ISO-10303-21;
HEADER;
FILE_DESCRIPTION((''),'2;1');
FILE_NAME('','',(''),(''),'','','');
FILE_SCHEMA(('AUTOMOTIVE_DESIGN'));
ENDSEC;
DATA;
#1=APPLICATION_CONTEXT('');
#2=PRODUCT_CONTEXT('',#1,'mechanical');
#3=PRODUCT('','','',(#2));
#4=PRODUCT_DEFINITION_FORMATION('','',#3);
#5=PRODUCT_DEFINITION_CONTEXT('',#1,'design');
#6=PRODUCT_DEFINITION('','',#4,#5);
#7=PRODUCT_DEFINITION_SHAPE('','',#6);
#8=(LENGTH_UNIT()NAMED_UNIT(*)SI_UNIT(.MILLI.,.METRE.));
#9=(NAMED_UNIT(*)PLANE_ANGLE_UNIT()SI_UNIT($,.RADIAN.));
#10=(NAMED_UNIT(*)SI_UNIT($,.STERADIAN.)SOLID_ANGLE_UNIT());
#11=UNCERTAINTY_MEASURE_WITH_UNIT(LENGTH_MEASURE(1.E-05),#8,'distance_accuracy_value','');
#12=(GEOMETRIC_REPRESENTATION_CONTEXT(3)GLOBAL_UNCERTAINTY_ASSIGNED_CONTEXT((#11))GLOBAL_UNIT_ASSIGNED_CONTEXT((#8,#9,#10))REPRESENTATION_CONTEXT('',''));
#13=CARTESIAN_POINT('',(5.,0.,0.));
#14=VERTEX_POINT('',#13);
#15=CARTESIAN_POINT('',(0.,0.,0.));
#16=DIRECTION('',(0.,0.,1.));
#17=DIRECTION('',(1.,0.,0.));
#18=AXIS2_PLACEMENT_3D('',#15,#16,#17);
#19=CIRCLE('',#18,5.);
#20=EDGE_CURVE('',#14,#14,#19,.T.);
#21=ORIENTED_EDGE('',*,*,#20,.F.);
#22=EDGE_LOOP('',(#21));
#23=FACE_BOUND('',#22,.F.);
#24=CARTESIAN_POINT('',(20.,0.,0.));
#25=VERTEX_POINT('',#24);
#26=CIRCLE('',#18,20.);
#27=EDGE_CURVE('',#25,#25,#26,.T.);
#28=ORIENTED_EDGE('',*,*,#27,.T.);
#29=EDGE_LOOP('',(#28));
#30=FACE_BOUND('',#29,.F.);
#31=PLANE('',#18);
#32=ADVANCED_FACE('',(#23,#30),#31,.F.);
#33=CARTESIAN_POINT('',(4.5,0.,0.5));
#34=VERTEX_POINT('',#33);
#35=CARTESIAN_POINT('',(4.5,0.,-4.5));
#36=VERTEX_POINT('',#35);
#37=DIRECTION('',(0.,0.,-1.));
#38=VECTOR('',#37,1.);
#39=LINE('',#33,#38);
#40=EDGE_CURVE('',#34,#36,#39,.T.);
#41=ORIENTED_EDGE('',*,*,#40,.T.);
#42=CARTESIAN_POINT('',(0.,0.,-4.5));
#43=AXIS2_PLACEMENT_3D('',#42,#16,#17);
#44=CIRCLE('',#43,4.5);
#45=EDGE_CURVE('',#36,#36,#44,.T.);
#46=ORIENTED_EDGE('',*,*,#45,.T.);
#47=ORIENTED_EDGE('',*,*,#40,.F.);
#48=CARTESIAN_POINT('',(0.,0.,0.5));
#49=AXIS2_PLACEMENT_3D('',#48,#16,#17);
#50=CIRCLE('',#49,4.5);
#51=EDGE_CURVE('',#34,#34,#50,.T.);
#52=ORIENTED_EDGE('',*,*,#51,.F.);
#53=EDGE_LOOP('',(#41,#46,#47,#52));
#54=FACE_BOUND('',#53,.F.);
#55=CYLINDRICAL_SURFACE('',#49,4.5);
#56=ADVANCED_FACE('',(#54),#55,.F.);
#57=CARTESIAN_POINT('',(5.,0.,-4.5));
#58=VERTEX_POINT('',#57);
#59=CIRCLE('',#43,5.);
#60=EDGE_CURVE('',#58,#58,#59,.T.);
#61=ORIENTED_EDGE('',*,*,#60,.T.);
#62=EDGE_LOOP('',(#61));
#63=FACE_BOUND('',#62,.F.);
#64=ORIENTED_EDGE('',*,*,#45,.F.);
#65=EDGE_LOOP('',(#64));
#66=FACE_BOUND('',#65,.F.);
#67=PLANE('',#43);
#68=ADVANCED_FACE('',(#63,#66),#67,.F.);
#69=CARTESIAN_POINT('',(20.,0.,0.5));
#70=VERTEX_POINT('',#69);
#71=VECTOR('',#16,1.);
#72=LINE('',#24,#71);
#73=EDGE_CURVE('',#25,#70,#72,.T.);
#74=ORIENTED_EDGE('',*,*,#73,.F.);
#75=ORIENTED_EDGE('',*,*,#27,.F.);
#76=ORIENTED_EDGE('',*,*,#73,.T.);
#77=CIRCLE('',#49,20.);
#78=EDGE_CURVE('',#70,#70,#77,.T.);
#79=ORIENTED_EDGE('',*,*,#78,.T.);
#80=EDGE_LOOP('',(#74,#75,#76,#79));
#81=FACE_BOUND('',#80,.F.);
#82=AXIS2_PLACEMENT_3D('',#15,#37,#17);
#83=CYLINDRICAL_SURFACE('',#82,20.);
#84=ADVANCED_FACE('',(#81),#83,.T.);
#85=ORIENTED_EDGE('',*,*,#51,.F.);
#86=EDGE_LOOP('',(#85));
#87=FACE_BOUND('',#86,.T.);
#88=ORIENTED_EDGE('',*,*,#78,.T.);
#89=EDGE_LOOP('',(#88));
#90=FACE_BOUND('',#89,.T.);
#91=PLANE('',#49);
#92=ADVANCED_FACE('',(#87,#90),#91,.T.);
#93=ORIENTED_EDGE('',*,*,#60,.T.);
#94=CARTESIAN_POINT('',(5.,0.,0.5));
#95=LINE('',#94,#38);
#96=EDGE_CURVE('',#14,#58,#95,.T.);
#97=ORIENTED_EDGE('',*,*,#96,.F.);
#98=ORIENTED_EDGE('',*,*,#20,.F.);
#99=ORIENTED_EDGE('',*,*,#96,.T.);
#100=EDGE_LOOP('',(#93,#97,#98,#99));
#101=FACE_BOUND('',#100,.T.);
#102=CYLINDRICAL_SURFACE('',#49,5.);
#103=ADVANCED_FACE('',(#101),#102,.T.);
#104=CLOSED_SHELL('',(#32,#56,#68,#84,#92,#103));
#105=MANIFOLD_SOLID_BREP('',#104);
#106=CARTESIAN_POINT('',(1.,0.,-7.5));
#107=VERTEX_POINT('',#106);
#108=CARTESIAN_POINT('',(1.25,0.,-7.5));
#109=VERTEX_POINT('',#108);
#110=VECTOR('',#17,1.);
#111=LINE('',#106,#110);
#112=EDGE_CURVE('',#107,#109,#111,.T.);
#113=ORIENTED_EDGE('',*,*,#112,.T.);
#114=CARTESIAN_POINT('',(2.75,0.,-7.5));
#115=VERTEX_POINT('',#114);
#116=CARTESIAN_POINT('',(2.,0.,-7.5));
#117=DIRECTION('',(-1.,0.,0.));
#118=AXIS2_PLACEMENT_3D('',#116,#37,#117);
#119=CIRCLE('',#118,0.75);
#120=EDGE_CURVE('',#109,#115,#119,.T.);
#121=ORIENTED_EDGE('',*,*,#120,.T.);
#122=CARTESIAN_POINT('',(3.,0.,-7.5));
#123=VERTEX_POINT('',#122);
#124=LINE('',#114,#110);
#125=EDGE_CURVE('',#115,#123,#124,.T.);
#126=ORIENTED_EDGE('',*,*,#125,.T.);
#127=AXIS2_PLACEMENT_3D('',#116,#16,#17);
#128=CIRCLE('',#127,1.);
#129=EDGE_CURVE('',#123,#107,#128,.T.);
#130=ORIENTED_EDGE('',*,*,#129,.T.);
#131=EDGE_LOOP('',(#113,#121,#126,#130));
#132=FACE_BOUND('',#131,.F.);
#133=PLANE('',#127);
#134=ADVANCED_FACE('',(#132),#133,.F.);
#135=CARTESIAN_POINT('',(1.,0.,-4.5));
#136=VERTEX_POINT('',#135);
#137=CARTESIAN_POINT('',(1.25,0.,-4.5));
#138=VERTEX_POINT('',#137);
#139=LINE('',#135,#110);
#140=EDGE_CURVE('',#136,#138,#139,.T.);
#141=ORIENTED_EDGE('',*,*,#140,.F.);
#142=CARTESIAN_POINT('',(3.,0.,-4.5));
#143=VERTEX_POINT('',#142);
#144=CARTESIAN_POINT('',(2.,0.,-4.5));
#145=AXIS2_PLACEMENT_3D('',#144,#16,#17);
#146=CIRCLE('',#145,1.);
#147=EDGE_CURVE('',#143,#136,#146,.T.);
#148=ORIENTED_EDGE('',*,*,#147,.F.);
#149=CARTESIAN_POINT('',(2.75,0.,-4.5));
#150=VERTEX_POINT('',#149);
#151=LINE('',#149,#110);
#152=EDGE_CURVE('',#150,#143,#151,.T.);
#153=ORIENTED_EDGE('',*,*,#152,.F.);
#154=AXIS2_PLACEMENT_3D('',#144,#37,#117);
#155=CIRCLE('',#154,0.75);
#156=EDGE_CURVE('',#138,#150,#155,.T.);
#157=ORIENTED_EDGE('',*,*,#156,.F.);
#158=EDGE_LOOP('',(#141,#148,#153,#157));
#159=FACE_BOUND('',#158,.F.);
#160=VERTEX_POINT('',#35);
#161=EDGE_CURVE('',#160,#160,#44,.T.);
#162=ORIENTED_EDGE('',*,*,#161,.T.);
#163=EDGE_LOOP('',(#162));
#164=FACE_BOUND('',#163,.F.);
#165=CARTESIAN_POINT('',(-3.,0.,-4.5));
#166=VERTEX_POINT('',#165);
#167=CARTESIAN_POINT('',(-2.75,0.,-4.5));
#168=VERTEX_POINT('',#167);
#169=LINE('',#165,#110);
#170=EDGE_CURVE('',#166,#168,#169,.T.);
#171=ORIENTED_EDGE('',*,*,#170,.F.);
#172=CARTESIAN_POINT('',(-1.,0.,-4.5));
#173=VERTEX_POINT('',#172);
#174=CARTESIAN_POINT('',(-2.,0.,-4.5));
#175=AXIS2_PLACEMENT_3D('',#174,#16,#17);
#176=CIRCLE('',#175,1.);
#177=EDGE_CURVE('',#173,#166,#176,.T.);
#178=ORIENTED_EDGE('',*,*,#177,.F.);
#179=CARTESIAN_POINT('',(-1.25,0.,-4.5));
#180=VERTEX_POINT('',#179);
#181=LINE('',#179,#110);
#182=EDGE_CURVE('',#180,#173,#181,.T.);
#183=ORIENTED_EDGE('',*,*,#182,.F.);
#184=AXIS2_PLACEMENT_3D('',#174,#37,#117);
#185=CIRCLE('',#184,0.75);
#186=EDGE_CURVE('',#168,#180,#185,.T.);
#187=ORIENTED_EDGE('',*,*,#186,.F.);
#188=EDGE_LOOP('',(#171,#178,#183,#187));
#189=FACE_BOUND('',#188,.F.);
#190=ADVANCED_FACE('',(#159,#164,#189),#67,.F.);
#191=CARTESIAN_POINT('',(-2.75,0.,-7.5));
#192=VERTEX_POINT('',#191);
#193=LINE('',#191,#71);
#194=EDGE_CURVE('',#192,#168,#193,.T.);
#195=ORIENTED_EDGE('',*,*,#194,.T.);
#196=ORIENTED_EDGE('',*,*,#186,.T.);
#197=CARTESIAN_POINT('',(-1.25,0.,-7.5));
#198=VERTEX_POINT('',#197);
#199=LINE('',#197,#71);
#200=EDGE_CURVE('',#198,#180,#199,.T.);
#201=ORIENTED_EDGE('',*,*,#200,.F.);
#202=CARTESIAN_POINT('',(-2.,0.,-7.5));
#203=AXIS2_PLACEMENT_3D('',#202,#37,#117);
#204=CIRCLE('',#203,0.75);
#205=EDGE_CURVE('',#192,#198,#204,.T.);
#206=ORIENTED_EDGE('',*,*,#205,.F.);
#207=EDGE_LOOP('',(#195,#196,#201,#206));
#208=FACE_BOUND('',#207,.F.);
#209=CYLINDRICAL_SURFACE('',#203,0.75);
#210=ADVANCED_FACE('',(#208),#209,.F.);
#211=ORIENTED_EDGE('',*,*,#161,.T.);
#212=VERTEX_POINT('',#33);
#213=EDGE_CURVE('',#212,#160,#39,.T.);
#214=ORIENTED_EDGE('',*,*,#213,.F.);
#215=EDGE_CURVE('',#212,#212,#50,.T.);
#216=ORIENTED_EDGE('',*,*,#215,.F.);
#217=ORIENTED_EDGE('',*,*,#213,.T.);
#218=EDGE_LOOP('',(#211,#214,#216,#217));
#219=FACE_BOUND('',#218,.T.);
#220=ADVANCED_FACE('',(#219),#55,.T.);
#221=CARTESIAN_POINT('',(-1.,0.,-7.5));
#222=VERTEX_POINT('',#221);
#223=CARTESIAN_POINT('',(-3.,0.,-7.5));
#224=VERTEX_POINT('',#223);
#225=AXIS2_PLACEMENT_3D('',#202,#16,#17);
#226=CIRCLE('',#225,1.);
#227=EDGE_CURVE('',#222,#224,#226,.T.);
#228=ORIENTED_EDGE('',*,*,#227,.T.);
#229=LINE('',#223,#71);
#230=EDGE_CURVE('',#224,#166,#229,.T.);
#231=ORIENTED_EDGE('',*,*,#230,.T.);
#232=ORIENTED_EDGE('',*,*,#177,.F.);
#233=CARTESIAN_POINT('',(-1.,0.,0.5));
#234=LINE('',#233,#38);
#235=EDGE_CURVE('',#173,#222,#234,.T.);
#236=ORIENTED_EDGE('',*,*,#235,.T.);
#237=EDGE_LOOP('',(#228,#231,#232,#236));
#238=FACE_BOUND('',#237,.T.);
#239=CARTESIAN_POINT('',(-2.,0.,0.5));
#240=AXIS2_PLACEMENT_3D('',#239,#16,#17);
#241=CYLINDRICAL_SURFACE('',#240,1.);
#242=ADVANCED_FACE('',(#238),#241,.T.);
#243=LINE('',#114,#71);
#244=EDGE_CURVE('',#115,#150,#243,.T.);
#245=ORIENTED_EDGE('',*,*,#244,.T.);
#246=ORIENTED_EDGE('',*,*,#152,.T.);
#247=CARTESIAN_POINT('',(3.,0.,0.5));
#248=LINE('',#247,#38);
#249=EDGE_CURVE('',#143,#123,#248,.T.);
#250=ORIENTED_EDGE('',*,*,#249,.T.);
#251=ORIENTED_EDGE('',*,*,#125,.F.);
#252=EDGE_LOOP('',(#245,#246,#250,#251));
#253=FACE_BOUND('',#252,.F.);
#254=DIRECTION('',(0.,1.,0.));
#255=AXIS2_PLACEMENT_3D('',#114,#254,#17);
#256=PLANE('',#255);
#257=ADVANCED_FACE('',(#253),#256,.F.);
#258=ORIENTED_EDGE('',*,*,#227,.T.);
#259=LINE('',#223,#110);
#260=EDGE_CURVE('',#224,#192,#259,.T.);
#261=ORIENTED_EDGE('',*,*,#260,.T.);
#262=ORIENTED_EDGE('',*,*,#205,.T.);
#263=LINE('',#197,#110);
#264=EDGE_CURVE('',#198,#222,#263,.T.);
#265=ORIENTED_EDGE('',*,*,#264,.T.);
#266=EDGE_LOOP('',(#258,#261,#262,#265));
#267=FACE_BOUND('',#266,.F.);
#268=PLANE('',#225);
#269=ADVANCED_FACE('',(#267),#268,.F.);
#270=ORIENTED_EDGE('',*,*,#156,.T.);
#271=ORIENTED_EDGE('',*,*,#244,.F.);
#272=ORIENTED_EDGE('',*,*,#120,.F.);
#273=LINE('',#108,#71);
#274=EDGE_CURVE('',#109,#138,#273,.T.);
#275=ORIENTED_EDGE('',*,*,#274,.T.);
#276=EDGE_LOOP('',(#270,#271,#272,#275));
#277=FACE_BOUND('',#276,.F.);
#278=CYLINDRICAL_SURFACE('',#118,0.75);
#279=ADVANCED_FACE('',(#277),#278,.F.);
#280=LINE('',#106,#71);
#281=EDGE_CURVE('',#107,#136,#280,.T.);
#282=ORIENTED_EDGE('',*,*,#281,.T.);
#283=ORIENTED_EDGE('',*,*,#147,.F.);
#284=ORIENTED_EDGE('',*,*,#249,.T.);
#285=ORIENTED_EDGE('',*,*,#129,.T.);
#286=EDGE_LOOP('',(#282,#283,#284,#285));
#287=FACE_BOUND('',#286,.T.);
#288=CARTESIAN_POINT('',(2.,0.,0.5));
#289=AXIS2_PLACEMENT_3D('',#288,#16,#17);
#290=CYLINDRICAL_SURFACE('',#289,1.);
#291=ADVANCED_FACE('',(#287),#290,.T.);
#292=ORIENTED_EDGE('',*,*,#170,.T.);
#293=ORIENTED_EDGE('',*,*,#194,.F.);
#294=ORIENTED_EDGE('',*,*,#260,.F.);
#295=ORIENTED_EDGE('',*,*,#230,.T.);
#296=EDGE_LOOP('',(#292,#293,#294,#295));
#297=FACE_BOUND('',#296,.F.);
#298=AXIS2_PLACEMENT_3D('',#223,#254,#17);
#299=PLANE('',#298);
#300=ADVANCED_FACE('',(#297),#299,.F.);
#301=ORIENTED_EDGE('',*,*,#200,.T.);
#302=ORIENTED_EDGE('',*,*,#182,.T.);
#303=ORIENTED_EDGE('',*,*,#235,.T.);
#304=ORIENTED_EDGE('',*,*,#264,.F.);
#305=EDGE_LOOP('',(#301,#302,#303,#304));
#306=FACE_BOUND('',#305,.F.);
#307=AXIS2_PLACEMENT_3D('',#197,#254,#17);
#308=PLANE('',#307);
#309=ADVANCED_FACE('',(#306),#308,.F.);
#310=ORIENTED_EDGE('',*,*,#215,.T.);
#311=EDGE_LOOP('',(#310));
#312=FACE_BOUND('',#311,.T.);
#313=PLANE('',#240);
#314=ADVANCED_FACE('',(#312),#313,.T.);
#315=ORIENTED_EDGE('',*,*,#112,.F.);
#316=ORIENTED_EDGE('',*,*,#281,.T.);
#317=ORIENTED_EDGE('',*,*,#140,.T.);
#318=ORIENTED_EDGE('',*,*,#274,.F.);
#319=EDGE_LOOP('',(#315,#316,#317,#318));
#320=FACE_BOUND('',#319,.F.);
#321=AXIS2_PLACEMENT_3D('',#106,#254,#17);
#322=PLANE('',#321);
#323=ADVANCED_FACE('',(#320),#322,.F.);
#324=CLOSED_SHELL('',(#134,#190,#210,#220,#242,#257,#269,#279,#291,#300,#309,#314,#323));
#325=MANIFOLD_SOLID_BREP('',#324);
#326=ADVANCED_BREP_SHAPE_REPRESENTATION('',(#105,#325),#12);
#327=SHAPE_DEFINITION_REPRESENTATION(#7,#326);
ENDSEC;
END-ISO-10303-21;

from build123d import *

# Parameters (mm, degrees)
F0_R      = 20
F1_DEPTH  = 0.5
F2_R      = 5
F3_DEPTH  = 5
F4_R      = 4.5
F5_DEPTH  = 25
F6_R      = 4.5
F7_DEPTH  = 5
F8_R      = 1
F9_DEPTH  = 8
F11_DEPTH = 3


with BuildPart() as f1:
    # F0 (on Top) → F1 (new body)
    with BuildSketch(Plane.XY):
        Circle(F0_R)
    extrude(amount=F1_DEPTH)

    # F2 (on face) → F3 (join)
    with BuildSketch(Plane.XY.offset(0.5)):
        Circle(F2_R)
    extrude(amount=-F3_DEPTH)

    # F4 (on face) → F5 (cut)
    with BuildSketch(Plane.XY.offset(0.5)):
        Circle(F4_R)
    extrude(amount=-F5_DEPTH, mode=Mode.SUBTRACT)


with BuildPart() as f7:
    # F6 (on face) → F7 (new body)
    with BuildSketch(Plane.XY.offset(0.5)):
        Circle(F6_R)
    extrude(amount=-F7_DEPTH)

    # F8 (on face) → F9 (join)
    with BuildSketch(Plane.XY.offset(0.5)):
        with Locations((-2, 0)):
            Circle(F8_R)
        with Locations((2, 0)):
            Circle(F8_R)
    extrude(amount=-F9_DEPTH)

    # F10 (on face) → F11 (cut)
    with BuildSketch(Plane(origin=(0, 0, -7.5), x_dir=(1, 0, 0), z_dir=(0, 0, -1))):
        with BuildLine():
            Line((-1.25, 0), (-1, 0))
            ThreePointArc((-1, 0), (-2, 1), (-3, 0))
            Line((-3, 0), (-2.75, 0))
            ThreePointArc((-2.75, 0), (-2, -0.75), (-1.25, 0))
        make_face()
        with BuildLine():
            Line((2.75, 0), (3, 0))
            ThreePointArc((3, 0), (2, 1), (1, 0))
            Line((1, 0), (1.25, 0))
            ThreePointArc((1.25, 0), (2, -0.75), (2.75, 0))
        make_face()
    extrude(amount=-F11_DEPTH, mode=Mode.SUBTRACT)


solid = Compound([f1.part, f7.part])
